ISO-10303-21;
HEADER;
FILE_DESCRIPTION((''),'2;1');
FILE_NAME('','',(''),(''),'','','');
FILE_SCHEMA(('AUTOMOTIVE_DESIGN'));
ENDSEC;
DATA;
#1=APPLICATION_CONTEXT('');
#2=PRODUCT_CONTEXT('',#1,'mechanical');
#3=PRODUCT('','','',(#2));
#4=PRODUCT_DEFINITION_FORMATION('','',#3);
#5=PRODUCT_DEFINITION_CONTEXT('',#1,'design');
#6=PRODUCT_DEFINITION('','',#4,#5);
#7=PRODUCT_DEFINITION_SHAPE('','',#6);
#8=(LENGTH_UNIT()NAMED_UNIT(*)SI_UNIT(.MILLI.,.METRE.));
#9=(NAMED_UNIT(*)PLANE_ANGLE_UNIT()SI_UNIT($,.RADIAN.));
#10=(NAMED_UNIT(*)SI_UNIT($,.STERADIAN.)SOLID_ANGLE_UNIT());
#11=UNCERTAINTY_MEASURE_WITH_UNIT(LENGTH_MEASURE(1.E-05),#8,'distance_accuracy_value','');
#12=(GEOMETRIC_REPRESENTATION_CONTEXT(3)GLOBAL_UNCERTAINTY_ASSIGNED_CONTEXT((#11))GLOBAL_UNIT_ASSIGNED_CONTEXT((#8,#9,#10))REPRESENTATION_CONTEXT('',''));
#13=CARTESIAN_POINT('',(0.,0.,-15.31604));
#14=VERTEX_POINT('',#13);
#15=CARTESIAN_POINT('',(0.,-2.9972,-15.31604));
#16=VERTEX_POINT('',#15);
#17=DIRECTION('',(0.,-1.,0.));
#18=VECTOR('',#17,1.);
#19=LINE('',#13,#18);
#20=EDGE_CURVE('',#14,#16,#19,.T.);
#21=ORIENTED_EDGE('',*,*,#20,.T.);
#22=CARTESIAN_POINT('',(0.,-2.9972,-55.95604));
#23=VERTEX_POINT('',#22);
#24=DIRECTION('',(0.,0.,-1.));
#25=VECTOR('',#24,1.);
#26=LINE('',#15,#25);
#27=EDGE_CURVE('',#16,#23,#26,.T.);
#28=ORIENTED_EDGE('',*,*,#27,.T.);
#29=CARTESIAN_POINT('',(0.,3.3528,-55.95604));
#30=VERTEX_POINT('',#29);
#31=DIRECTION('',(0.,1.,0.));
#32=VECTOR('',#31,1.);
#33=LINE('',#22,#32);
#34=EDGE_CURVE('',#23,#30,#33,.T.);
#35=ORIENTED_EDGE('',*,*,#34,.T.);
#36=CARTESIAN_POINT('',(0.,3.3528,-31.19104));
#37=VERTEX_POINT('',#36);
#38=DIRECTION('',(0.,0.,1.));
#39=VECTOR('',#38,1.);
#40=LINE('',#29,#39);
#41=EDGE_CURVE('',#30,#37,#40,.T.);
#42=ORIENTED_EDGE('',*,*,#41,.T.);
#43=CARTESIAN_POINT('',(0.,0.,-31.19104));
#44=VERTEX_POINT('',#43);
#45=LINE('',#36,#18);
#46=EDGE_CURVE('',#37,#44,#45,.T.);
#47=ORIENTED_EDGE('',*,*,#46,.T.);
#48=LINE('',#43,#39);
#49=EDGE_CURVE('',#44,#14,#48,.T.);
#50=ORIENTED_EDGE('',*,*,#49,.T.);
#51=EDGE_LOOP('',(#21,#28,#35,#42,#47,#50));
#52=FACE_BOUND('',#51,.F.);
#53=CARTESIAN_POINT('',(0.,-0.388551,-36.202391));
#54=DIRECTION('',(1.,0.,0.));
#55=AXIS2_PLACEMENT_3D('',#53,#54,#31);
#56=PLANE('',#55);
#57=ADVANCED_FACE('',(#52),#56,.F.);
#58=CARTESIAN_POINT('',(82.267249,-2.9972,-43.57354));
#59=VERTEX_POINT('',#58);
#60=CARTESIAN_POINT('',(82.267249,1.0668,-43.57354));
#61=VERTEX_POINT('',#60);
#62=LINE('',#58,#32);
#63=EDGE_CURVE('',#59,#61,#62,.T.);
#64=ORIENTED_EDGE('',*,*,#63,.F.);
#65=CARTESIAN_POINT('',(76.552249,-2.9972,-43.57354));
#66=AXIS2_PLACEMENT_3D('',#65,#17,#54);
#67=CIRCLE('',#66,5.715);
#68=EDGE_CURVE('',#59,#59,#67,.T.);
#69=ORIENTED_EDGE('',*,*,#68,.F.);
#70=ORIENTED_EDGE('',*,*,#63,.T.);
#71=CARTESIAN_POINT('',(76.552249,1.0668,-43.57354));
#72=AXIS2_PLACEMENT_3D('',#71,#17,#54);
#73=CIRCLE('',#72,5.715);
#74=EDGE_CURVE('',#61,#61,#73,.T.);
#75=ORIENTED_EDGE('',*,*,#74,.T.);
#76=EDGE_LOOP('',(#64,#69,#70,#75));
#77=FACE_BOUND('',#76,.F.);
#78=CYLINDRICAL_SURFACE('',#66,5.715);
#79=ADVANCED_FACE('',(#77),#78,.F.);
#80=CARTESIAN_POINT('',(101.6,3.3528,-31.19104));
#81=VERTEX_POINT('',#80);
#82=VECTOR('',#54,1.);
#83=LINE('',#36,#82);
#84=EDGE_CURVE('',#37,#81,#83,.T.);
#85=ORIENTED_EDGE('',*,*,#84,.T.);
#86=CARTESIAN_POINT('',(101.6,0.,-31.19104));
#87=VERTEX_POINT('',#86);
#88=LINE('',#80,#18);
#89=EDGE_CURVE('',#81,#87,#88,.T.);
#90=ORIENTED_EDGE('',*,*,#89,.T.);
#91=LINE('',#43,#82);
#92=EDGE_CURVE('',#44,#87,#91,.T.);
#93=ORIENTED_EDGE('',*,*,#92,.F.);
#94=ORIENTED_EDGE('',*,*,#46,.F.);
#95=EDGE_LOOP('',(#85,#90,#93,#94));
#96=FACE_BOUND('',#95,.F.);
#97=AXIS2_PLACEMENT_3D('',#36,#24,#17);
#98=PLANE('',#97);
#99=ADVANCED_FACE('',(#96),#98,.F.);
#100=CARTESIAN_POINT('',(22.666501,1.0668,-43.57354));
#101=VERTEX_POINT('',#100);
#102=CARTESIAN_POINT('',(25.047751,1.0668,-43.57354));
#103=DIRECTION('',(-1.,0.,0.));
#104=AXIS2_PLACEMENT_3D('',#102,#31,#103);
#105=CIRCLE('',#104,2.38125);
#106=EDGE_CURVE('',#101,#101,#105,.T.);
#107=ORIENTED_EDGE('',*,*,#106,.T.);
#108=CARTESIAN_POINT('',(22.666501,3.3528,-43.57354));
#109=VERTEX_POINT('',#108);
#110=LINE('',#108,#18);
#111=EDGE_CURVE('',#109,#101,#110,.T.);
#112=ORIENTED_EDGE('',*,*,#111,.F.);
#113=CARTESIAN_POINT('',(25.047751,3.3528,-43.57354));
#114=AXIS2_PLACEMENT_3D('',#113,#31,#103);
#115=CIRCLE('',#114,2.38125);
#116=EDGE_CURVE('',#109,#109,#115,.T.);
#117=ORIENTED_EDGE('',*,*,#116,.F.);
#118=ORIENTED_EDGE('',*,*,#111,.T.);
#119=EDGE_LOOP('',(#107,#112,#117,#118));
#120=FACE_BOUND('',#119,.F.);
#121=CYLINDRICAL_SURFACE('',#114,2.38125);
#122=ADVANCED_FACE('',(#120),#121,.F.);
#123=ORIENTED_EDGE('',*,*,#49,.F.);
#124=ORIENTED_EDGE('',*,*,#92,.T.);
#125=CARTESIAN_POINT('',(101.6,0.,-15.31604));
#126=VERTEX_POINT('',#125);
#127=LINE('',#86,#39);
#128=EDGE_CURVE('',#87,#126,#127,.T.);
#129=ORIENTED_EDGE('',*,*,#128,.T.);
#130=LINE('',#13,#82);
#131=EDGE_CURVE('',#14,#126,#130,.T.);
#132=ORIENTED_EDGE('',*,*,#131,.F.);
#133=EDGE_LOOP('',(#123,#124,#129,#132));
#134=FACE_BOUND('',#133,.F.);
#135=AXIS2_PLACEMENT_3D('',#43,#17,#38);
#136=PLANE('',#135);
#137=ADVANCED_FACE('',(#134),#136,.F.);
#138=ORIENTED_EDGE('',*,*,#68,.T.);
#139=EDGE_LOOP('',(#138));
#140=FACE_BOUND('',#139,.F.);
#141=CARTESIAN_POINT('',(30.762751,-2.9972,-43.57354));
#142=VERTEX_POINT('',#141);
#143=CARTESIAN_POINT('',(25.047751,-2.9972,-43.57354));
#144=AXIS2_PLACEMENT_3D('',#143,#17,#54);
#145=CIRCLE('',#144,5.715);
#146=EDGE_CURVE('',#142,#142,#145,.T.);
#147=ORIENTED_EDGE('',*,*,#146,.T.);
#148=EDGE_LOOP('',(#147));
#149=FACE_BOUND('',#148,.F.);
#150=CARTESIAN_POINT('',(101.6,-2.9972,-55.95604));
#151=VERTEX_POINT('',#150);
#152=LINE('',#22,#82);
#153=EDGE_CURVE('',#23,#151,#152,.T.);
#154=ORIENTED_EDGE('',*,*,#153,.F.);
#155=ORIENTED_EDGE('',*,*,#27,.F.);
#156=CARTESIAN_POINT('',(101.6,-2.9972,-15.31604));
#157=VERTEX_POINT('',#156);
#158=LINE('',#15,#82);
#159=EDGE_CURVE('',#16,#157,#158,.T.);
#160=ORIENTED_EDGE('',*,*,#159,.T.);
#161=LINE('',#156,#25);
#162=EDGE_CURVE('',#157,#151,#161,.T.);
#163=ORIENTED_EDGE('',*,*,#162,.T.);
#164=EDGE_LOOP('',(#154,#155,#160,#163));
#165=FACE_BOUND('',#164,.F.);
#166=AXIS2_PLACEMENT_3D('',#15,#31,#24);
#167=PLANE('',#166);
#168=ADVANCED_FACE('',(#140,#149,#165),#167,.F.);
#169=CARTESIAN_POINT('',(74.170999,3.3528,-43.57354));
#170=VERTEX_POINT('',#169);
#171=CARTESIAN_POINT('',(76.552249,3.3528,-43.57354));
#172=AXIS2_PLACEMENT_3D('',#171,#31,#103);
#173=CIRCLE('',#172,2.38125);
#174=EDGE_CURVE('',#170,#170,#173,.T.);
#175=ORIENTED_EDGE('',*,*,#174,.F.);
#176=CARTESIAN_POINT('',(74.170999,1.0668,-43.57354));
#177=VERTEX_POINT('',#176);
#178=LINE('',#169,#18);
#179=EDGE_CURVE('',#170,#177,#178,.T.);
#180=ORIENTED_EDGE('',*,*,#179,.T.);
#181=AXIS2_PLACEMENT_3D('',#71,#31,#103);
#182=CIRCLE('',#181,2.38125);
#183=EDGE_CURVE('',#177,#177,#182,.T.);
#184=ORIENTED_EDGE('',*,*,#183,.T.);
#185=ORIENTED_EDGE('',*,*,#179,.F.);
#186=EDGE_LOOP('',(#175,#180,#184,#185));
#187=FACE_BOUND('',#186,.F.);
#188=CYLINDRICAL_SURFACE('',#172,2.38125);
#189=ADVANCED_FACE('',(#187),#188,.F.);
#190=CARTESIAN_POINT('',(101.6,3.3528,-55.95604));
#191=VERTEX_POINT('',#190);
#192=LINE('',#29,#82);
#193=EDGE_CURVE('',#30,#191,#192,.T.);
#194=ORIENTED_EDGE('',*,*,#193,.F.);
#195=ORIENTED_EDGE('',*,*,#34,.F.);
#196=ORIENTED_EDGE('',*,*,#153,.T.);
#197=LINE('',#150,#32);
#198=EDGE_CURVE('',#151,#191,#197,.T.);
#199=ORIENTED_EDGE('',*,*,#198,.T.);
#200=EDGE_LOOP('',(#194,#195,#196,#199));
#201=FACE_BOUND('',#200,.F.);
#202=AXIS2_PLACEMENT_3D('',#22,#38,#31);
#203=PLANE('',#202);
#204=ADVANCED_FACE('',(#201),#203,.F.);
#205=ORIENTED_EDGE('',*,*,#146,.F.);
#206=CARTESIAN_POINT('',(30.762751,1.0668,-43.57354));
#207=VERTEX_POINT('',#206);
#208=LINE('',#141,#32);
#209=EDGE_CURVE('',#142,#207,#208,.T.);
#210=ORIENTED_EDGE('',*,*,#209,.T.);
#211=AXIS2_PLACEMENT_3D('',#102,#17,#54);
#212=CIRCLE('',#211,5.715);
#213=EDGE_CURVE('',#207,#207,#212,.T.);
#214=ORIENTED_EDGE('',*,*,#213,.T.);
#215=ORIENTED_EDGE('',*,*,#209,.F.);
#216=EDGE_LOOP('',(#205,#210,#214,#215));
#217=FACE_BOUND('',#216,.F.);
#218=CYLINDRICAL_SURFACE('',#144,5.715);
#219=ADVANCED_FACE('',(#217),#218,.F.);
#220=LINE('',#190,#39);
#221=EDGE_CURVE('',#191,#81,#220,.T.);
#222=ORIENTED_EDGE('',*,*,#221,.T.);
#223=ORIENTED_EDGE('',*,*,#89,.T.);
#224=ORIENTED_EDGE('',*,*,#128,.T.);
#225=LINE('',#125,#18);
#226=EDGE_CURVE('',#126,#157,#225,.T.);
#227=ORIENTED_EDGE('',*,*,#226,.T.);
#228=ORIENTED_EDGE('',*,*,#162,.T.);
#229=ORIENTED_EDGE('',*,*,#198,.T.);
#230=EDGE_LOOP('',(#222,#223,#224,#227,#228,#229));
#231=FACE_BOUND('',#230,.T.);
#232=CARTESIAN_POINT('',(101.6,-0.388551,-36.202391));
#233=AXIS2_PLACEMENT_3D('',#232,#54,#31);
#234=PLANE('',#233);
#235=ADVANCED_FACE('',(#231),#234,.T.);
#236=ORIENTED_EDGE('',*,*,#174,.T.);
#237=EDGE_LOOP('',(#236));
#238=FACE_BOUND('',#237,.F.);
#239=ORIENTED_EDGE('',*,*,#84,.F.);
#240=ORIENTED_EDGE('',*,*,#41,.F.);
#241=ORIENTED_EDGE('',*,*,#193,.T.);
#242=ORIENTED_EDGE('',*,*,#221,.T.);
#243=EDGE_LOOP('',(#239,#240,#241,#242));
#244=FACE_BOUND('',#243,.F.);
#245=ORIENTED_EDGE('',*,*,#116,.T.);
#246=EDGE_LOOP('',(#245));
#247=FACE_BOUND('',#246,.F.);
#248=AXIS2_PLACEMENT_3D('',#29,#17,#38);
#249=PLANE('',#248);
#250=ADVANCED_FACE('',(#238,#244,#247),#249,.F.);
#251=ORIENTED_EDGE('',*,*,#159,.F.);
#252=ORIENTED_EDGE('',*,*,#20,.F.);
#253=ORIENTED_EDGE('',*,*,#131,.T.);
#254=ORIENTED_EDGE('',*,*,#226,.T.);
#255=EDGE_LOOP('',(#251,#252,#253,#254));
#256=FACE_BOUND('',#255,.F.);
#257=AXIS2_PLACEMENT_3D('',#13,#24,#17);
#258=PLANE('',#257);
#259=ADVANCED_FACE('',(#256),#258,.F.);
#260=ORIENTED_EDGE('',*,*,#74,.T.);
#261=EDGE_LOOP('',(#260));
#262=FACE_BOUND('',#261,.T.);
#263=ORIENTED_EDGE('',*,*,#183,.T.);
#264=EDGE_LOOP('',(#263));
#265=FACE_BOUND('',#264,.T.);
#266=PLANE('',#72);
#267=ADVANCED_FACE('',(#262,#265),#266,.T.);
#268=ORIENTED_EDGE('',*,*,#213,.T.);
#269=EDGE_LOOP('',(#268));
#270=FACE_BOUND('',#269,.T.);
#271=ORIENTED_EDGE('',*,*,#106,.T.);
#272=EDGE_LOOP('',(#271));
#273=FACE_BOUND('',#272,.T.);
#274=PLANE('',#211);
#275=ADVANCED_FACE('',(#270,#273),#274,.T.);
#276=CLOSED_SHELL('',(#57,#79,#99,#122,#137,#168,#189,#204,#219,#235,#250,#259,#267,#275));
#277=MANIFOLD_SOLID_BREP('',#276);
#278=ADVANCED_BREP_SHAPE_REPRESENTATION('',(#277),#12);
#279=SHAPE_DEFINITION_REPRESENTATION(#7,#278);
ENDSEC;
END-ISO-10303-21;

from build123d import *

# Parameters (mm, degrees)
F1_DEPTH = 101.6
F2_R     = 2.38125
F3_DEPTH = 6.35
F4_R     = 5.715
F5_DEPTH = 4.064


with BuildPart() as f1:
    # F0 (on Right) → F1 (new body)
    with BuildSketch(Plane.YZ):
        Polygon((0, -31.19104), (0, -15.31604), (-2.9972, -15.31604), (-2.9972, -55.95604), (3.3528, -55.95604), (3.3528, -31.19104), align=None)
    extrude(amount=F1_DEPTH)

    # F2 (on face) → F3 (cut, through all)
    with BuildSketch(Plane(origin=(0, 3.3528, 0), x_dir=(-1, 0, 0), z_dir=(0, 1, 0))):
        with Locations((-76.552249, -43.57354)):
            Circle(F2_R)
        with Locations((-25.047751, -43.57354)):
            Circle(F2_R)
    extrude(amount=-F3_DEPTH, mode=Mode.SUBTRACT)

    # F4 (on face) → F5 (cut)
    with BuildSketch(Plane.XZ.offset(2.9972)):
        with Locations((25.047751, -43.57354)):
            Circle(F4_R)
        with Locations((76.552249, -43.57354)):
            Circle(F4_R)
    extrude(amount=-F5_DEPTH, mode=Mode.SUBTRACT)


solid = f1.part
